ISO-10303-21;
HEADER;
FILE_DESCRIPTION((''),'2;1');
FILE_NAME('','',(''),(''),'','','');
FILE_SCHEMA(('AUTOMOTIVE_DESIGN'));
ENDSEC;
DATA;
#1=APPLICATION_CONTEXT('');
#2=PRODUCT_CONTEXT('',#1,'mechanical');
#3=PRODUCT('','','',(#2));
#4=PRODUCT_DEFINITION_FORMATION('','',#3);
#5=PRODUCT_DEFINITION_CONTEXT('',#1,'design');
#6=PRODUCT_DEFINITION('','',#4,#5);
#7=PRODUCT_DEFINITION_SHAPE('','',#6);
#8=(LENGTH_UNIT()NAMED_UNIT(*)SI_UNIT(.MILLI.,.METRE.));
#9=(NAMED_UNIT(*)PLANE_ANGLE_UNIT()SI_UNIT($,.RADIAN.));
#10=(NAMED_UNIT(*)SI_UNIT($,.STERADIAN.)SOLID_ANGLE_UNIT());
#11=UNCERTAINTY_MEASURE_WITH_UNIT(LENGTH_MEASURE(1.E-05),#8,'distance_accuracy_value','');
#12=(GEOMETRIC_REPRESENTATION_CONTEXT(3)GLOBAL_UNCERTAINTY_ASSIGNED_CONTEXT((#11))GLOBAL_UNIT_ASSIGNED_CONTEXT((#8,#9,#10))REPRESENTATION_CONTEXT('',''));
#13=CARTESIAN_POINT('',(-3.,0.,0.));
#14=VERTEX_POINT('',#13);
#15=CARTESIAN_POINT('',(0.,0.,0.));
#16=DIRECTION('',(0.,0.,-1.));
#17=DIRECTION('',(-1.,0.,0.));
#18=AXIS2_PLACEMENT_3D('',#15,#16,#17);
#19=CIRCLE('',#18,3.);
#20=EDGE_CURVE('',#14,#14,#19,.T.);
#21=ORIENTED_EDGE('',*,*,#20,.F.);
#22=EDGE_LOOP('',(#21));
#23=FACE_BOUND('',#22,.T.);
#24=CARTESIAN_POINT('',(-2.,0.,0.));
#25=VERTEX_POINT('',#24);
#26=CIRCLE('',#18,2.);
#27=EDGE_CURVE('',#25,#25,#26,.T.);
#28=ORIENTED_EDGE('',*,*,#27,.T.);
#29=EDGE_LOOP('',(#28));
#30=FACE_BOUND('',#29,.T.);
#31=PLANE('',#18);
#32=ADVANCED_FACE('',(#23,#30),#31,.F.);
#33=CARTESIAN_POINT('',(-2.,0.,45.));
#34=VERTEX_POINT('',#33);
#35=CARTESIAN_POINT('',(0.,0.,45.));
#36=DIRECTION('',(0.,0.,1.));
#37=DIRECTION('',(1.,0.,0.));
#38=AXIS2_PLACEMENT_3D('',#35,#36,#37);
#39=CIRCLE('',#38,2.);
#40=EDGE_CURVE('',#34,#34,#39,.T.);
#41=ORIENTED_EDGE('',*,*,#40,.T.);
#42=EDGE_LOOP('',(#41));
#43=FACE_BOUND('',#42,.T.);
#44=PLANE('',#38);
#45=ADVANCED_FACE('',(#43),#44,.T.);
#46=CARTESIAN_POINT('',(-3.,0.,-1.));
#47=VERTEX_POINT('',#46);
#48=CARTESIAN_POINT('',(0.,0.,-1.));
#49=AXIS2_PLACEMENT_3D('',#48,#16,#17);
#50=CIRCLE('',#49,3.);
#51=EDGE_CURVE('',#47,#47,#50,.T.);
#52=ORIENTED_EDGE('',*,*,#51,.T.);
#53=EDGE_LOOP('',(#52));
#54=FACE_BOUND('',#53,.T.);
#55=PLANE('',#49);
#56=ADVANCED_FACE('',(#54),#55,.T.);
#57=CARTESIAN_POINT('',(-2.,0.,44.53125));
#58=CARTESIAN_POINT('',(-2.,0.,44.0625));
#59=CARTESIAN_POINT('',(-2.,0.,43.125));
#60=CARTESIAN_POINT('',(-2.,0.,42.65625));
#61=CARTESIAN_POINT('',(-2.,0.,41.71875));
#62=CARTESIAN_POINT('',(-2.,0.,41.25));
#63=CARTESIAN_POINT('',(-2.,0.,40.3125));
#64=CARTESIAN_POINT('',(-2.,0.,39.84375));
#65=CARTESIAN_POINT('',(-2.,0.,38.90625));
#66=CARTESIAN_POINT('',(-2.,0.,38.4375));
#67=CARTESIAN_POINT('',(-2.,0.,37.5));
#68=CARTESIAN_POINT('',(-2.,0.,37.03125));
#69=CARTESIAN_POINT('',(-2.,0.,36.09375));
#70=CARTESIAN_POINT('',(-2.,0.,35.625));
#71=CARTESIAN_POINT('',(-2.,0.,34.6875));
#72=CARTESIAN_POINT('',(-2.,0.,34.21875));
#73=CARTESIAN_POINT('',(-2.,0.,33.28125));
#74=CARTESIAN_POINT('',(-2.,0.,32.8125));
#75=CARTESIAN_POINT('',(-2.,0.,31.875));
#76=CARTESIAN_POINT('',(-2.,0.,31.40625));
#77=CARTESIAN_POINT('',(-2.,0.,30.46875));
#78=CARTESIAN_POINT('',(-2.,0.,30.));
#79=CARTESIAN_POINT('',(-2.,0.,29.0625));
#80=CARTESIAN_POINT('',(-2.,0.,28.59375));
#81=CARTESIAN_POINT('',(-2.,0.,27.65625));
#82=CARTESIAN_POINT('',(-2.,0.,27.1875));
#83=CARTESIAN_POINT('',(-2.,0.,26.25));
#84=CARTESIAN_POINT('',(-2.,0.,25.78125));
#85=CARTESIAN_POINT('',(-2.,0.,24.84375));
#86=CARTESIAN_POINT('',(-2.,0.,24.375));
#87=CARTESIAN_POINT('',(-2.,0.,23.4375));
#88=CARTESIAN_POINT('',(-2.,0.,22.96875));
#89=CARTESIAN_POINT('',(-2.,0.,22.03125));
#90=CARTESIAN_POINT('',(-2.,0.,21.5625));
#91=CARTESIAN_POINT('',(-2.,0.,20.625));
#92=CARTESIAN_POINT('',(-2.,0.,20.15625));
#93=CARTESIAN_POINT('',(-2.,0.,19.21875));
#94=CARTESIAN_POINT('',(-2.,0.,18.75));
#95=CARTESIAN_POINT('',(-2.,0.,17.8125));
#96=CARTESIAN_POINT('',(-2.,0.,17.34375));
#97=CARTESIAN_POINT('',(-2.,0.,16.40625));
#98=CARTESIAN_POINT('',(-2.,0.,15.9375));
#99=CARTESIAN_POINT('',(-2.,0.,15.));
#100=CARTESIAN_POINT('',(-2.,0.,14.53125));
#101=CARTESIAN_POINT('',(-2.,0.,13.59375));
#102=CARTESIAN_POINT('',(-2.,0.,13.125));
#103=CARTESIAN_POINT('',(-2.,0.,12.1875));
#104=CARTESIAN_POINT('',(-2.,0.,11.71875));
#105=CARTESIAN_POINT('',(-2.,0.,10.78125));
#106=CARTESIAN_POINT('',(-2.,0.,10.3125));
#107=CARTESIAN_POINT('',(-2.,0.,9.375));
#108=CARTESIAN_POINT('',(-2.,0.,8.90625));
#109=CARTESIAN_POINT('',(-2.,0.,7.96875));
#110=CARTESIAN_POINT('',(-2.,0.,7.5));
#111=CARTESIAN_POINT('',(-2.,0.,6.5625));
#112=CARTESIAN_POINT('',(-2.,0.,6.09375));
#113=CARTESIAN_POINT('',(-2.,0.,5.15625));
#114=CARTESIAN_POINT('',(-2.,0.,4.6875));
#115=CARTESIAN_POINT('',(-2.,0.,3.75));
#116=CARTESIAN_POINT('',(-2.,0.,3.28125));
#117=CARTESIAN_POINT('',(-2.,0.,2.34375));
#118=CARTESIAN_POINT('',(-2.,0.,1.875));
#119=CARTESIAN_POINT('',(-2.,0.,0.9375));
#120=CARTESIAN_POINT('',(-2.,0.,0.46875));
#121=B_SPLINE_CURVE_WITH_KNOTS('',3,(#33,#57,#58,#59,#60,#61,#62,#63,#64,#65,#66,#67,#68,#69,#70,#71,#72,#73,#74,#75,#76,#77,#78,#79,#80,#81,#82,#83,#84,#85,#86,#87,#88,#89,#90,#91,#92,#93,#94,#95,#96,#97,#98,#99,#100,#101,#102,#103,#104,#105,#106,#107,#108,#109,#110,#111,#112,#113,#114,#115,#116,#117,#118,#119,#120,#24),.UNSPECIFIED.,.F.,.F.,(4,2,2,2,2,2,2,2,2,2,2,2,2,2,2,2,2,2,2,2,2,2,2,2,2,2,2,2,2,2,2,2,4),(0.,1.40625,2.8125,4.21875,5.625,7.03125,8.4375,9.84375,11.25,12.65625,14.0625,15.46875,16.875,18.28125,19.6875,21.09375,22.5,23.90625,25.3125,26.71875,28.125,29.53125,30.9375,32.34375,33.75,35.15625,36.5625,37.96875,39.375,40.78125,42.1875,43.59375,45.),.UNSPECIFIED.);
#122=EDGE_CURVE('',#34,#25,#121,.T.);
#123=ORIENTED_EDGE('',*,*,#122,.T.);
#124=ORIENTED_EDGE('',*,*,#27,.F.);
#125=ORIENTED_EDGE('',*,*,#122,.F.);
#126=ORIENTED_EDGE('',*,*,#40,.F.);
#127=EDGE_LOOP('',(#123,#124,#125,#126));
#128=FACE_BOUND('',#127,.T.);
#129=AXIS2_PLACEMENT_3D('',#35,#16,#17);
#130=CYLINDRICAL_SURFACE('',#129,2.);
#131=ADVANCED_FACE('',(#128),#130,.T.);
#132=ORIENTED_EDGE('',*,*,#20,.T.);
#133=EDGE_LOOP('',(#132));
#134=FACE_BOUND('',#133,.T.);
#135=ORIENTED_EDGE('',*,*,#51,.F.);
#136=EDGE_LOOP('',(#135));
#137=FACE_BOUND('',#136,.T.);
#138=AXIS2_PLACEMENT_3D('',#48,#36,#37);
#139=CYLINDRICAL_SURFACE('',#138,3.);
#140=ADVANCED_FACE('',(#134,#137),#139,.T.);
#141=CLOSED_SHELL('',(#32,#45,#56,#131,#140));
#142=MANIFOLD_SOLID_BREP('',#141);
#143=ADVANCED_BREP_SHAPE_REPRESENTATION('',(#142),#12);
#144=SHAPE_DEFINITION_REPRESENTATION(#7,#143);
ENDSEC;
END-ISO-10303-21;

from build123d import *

# Parameters (mm, degrees)
SKETCH_1_R      = 2
EXTRUDE_1_DEPTH = 45
SKETCH_2_R      = 3
EXTRUDE_2_DEPTH = 1


with BuildPart() as part:
    # 草图1 → 凸台-拉伸1 (new body)
    with BuildSketch(Plane.XY):
        with Locations(Location((0, 0, 0), (0, 0, 180))):
            Circle(SKETCH_1_R)
    extrude(amount=EXTRUDE_1_DEPTH)

    # 草图2 → 凸台-拉伸2 (add)
    with BuildSketch(Plane(origin=(0, 0, 0), x_dir=(-1, 0, 0), z_dir=(0, 0, -1))):
        Circle(SKETCH_2_R)
    extrude(amount=EXTRUDE_2_DEPTH)


solid = part.part
